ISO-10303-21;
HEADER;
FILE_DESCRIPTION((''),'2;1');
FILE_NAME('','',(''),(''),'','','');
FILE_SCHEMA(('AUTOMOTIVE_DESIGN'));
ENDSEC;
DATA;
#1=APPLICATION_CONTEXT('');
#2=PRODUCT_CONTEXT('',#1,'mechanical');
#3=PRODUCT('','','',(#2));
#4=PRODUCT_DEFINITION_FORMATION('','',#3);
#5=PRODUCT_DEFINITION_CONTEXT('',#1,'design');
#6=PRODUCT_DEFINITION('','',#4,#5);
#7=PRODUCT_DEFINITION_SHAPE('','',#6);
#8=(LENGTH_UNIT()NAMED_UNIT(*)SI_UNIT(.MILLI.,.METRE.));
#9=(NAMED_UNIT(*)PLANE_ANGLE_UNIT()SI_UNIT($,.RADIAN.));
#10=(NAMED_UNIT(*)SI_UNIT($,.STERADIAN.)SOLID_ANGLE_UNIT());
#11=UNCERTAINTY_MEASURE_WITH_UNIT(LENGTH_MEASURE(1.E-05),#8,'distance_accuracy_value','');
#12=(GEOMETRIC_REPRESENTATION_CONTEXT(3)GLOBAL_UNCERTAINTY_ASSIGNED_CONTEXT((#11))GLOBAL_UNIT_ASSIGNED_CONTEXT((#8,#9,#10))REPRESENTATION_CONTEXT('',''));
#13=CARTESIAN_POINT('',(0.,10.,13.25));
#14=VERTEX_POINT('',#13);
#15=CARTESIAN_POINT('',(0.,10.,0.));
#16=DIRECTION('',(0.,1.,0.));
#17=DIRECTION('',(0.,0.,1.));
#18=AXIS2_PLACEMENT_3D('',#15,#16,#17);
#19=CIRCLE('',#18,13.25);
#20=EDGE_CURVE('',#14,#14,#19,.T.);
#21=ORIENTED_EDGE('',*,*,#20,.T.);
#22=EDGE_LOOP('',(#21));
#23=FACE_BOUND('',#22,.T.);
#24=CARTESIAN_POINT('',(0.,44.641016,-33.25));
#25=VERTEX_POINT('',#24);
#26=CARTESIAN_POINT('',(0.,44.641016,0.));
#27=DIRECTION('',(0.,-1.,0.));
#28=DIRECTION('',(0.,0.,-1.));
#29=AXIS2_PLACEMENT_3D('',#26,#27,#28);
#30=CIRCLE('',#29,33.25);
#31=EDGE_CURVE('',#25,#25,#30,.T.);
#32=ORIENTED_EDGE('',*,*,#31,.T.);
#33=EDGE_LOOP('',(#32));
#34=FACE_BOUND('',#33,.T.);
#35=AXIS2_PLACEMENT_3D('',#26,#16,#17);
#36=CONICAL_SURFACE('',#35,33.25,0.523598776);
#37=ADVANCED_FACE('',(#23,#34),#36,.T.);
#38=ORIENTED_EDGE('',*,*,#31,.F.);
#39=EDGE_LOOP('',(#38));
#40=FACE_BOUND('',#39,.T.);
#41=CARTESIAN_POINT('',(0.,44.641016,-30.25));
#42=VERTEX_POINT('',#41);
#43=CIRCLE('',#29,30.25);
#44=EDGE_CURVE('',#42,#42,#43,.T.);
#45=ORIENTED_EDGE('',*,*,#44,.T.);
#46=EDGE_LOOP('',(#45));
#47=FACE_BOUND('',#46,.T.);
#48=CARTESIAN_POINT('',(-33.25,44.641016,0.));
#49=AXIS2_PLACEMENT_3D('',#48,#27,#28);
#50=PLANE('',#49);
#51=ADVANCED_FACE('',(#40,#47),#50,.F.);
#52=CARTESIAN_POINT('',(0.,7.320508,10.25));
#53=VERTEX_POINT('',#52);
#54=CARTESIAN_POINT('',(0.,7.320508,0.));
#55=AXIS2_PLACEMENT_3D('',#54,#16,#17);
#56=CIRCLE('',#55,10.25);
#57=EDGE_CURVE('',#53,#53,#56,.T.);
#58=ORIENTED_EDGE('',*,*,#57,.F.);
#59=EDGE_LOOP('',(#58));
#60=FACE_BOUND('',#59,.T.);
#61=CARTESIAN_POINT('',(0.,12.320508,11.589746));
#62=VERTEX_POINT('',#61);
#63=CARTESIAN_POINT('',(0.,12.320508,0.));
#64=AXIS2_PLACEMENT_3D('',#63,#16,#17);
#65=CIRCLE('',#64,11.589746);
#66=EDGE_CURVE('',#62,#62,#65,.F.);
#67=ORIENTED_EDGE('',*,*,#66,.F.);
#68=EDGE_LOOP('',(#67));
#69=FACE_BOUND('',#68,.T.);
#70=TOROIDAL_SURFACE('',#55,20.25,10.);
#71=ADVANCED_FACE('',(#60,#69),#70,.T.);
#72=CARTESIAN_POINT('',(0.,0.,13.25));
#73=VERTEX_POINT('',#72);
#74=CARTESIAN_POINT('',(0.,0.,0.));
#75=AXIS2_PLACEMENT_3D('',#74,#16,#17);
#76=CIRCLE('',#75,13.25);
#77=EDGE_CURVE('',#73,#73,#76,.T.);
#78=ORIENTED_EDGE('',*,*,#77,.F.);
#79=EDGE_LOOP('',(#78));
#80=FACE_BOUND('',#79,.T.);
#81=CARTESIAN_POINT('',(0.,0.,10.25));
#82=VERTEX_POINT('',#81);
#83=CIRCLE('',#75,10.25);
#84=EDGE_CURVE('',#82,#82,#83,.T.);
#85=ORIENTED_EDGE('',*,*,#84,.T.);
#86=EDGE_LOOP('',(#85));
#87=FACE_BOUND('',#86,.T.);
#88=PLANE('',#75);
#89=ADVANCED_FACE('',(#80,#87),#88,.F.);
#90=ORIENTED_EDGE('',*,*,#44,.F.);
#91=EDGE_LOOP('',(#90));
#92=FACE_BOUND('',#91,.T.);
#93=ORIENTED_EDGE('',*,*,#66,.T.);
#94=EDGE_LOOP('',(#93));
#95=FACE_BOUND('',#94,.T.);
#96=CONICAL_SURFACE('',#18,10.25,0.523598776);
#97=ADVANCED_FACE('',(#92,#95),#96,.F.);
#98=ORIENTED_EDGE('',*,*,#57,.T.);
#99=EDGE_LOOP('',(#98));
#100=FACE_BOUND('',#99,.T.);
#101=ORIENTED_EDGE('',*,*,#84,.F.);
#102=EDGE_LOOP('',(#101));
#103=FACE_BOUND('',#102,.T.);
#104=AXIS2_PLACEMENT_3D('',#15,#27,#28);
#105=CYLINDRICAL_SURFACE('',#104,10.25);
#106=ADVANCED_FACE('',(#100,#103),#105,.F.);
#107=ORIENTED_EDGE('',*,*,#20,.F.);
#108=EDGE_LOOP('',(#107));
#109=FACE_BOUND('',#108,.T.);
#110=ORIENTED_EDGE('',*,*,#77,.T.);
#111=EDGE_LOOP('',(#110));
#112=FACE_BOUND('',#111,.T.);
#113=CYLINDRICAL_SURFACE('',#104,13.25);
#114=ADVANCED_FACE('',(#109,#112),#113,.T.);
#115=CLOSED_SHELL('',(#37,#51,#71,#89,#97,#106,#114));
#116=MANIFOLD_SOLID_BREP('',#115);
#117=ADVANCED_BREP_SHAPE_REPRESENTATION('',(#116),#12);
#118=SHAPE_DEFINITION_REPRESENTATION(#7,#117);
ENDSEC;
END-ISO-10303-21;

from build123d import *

# Parameters (mm, degrees)
SKETCH1_R           = 13.25
SKETCH1_R_2         = 10.25
BOSS_EXTRUDE1_DEPTH = 10
FILLET1_R           = 10


with BuildPart() as part:
    # Sketch1 → Boss-Extrude1 (new body)
    with BuildSketch(Plane(origin=(0, 0, 0), x_dir=(1, 0, 0), z_dir=(0, 1, 0))):
        with Locations(Location((0, 0, 0), (0, 0, 270))):
            Circle(SKETCH1_R)
        with Locations(Location((0, 0, 0), (0, 0, 270))):
            Circle(SKETCH1_R_2, mode=Mode.SUBTRACT)
    extrude(amount=BOSS_EXTRUDE1_DEPTH)

    # Sketch2 → Revolve1 (revolve)
    with BuildSketch(Plane.XY, mode=Mode.PRIVATE) as revolve1_sk:
        Polygon((-13.25, 10), (-33.25, 44.641016151), (-30.25, 44.641016151), (-10.25, 10), align=None)
    revolve(revolve1_sk.sketch.rotate(Axis((0, 0, 0), (0, 1, 0)), 270), axis=Axis((0, 0, 0), (0, 1, 0)))

    # Fillet1
    fillet1_edges = [part.edges().sort_by_distance(p)[0] for p in [
        (-10.25, 10, 0),
    ]]
    fillet(fillet1_edges, radius=FILLET1_R)


solid = part.part
